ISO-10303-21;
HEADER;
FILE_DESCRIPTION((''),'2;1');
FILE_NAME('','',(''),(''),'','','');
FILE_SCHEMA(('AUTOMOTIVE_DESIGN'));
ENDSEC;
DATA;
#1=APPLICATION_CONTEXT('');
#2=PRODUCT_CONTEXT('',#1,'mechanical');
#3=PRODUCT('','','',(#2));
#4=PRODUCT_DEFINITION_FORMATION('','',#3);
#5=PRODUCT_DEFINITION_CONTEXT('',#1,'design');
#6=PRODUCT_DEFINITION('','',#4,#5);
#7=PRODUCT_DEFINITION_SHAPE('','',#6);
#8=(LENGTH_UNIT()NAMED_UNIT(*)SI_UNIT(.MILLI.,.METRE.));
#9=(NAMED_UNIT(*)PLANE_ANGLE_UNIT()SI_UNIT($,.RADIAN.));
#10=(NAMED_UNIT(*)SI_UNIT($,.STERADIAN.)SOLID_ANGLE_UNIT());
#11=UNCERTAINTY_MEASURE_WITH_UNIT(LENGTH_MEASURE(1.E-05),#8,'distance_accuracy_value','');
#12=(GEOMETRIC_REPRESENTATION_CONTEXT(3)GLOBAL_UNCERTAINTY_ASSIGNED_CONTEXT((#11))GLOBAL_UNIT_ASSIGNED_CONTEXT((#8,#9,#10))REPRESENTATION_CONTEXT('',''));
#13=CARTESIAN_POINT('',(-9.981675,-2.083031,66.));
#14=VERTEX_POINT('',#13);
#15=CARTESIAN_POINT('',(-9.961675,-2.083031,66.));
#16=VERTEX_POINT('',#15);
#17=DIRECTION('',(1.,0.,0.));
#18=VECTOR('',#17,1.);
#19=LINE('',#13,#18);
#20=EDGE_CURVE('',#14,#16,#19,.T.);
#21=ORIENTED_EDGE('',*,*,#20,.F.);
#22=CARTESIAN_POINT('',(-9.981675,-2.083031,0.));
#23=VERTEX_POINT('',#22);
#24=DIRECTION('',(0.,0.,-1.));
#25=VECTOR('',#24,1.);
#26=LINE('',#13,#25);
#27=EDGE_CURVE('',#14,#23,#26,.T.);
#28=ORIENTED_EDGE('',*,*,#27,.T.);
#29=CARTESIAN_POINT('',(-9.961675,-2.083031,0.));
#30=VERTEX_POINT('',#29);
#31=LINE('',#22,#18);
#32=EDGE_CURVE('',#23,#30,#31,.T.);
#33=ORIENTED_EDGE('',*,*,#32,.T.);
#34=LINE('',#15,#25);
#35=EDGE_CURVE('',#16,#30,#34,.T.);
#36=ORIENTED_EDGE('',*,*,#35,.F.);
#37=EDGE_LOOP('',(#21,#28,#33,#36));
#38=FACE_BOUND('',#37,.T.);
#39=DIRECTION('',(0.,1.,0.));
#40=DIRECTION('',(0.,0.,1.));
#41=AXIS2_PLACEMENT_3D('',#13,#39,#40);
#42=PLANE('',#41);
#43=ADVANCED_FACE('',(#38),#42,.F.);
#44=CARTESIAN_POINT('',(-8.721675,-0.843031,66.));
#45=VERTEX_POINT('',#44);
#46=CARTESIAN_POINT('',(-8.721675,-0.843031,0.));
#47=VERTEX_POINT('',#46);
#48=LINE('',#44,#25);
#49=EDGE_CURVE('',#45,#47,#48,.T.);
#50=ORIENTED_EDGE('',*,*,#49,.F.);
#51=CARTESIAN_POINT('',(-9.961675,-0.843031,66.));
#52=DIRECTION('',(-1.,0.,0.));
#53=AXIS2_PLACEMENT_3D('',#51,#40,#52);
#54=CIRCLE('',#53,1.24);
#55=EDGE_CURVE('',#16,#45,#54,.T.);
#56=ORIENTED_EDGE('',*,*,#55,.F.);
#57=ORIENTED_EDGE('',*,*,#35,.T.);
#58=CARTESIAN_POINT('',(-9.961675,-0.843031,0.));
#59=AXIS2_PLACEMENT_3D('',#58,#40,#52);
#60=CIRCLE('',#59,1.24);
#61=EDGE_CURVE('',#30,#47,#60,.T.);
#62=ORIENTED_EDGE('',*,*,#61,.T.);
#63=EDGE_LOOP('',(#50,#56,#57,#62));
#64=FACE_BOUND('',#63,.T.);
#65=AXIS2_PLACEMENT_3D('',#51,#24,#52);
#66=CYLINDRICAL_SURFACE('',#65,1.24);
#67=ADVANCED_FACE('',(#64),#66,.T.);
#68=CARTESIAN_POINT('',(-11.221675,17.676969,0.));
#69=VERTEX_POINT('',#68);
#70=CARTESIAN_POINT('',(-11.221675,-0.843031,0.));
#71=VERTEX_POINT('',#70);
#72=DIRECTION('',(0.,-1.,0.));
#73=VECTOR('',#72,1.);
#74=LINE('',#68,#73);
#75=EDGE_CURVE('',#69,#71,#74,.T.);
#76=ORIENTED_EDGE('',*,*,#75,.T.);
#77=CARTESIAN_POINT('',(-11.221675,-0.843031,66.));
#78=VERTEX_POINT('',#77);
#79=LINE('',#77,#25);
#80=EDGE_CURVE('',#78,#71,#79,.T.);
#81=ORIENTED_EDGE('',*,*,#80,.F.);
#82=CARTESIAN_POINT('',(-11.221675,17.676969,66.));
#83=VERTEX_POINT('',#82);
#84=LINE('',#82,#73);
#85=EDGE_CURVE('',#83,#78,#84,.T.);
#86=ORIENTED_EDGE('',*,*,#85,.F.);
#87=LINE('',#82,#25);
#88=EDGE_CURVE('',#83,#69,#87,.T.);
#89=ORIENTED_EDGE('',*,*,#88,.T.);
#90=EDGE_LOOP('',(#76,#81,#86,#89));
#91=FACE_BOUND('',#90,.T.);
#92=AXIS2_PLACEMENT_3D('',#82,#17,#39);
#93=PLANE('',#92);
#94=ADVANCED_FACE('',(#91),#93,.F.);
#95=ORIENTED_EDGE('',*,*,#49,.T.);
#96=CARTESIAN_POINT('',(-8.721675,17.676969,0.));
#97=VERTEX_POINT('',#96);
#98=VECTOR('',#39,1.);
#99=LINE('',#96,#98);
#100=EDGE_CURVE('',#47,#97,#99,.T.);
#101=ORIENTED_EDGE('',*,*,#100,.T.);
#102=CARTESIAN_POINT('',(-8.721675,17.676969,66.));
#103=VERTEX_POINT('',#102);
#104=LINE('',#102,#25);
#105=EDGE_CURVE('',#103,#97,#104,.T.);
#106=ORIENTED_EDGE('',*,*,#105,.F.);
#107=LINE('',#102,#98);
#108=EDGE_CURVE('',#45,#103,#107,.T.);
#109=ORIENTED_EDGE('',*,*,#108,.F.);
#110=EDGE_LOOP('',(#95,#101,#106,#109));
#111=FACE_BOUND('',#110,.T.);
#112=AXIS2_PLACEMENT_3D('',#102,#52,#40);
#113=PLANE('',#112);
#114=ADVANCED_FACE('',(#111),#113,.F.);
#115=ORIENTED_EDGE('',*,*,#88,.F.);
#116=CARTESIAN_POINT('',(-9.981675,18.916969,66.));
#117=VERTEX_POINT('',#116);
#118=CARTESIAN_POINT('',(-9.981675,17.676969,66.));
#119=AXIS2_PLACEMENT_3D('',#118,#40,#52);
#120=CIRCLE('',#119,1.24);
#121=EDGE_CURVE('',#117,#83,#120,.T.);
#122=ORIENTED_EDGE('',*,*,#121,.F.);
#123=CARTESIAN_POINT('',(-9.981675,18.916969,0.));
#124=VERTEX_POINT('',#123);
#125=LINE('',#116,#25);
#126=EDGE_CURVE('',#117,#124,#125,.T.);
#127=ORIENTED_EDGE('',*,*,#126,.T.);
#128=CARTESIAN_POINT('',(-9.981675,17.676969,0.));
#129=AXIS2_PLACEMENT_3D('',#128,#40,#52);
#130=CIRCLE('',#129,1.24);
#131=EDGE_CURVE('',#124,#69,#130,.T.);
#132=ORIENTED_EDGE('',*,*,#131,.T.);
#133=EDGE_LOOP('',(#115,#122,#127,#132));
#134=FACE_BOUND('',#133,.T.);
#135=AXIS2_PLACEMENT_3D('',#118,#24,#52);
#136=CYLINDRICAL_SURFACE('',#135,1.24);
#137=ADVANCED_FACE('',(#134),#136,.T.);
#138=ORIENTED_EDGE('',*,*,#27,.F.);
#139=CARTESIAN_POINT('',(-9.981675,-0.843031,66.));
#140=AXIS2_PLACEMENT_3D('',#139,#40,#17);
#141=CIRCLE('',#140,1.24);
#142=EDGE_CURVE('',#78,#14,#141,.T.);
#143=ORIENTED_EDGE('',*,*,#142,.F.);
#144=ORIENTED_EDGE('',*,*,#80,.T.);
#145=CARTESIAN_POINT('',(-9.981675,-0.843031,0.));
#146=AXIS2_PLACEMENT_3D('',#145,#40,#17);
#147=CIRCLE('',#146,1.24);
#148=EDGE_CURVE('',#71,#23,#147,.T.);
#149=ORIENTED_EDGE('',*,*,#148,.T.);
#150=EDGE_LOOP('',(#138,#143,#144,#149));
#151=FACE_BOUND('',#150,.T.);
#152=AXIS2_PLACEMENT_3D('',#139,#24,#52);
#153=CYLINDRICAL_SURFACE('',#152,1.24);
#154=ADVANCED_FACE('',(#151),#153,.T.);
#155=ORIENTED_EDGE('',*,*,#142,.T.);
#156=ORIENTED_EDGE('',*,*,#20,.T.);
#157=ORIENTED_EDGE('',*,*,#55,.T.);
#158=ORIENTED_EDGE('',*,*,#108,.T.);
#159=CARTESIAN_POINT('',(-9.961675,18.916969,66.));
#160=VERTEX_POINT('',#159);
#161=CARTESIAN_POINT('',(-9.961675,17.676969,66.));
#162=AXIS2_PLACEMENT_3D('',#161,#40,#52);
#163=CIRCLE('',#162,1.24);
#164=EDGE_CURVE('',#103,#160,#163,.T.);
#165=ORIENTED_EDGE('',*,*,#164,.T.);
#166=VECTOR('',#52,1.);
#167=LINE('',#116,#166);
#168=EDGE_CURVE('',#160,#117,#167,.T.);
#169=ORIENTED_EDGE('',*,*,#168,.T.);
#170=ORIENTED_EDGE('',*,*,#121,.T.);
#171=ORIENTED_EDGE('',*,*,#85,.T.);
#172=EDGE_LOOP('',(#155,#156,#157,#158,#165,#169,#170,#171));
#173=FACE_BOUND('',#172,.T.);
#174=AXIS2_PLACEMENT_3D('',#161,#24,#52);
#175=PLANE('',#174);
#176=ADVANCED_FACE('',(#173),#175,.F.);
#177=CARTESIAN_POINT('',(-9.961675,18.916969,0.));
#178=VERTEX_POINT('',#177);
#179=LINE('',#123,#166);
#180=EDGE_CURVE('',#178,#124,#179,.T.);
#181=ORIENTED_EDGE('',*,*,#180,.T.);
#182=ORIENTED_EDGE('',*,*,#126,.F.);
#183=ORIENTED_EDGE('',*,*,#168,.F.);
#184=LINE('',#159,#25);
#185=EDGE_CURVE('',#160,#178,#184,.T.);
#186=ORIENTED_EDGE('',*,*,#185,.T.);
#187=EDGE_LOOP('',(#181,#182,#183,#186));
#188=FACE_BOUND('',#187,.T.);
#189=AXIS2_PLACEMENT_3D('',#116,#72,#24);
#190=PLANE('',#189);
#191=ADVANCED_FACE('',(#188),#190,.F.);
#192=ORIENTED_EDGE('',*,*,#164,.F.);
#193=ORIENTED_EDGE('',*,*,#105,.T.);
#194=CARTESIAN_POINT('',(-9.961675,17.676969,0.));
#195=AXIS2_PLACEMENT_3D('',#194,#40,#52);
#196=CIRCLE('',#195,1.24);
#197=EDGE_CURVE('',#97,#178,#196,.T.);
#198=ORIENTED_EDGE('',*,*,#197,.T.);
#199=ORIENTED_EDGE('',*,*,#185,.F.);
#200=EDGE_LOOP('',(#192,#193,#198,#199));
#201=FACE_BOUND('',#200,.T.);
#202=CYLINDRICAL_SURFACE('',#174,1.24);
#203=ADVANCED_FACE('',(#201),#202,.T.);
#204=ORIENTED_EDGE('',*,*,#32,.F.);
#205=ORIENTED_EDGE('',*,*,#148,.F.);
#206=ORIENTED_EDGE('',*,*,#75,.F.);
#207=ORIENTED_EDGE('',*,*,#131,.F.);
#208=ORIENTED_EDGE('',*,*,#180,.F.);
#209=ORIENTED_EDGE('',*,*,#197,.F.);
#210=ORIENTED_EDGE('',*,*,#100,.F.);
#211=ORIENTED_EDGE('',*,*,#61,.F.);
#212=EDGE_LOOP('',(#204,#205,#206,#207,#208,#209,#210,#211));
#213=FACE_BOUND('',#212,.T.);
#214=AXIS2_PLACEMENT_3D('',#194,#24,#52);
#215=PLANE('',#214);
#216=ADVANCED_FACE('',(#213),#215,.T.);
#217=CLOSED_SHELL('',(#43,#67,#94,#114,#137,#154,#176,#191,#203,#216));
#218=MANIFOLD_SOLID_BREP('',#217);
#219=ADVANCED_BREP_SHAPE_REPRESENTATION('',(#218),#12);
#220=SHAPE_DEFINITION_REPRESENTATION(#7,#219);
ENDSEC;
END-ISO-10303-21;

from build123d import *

# Parameters (mm, degrees)
EXTRUSION1_DEPTH = 66


with BuildPart() as part:
    # Esquisse1 → Extrusion1 (new body)
    with BuildSketch(Plane.XY):
        with BuildLine():
            Line((-9.981674736, 18.916969353), (-9.961674736, 18.916969353))
            ThreePointArc((-9.961674736, 18.916969353), (-9.084862327, 18.553781762), (-8.721674736, 17.676969353))
            Line((-8.721674736, 17.676969353), (-8.721674736, -0.843030647))
            ThreePointArc((-8.721674736, -0.843030647), (-9.084862327, -1.719843056), (-9.961674736, -2.083030647))
            Line((-9.961674736, -2.083030647), (-9.981674736, -2.083030647))
            ThreePointArc((-9.981674736, -2.083030647), (-10.858487145, -1.719843056), (-11.221674736, -0.843030647))
            Line((-11.221674736, -0.843030647), (-11.221674736, 17.676969353))
            ThreePointArc((-11.221674736, 17.676969353), (-10.858487145, 18.553781762), (-9.981674736, 18.916969353))
        make_face()
    extrude(amount=EXTRUSION1_DEPTH)


solid = part.part
